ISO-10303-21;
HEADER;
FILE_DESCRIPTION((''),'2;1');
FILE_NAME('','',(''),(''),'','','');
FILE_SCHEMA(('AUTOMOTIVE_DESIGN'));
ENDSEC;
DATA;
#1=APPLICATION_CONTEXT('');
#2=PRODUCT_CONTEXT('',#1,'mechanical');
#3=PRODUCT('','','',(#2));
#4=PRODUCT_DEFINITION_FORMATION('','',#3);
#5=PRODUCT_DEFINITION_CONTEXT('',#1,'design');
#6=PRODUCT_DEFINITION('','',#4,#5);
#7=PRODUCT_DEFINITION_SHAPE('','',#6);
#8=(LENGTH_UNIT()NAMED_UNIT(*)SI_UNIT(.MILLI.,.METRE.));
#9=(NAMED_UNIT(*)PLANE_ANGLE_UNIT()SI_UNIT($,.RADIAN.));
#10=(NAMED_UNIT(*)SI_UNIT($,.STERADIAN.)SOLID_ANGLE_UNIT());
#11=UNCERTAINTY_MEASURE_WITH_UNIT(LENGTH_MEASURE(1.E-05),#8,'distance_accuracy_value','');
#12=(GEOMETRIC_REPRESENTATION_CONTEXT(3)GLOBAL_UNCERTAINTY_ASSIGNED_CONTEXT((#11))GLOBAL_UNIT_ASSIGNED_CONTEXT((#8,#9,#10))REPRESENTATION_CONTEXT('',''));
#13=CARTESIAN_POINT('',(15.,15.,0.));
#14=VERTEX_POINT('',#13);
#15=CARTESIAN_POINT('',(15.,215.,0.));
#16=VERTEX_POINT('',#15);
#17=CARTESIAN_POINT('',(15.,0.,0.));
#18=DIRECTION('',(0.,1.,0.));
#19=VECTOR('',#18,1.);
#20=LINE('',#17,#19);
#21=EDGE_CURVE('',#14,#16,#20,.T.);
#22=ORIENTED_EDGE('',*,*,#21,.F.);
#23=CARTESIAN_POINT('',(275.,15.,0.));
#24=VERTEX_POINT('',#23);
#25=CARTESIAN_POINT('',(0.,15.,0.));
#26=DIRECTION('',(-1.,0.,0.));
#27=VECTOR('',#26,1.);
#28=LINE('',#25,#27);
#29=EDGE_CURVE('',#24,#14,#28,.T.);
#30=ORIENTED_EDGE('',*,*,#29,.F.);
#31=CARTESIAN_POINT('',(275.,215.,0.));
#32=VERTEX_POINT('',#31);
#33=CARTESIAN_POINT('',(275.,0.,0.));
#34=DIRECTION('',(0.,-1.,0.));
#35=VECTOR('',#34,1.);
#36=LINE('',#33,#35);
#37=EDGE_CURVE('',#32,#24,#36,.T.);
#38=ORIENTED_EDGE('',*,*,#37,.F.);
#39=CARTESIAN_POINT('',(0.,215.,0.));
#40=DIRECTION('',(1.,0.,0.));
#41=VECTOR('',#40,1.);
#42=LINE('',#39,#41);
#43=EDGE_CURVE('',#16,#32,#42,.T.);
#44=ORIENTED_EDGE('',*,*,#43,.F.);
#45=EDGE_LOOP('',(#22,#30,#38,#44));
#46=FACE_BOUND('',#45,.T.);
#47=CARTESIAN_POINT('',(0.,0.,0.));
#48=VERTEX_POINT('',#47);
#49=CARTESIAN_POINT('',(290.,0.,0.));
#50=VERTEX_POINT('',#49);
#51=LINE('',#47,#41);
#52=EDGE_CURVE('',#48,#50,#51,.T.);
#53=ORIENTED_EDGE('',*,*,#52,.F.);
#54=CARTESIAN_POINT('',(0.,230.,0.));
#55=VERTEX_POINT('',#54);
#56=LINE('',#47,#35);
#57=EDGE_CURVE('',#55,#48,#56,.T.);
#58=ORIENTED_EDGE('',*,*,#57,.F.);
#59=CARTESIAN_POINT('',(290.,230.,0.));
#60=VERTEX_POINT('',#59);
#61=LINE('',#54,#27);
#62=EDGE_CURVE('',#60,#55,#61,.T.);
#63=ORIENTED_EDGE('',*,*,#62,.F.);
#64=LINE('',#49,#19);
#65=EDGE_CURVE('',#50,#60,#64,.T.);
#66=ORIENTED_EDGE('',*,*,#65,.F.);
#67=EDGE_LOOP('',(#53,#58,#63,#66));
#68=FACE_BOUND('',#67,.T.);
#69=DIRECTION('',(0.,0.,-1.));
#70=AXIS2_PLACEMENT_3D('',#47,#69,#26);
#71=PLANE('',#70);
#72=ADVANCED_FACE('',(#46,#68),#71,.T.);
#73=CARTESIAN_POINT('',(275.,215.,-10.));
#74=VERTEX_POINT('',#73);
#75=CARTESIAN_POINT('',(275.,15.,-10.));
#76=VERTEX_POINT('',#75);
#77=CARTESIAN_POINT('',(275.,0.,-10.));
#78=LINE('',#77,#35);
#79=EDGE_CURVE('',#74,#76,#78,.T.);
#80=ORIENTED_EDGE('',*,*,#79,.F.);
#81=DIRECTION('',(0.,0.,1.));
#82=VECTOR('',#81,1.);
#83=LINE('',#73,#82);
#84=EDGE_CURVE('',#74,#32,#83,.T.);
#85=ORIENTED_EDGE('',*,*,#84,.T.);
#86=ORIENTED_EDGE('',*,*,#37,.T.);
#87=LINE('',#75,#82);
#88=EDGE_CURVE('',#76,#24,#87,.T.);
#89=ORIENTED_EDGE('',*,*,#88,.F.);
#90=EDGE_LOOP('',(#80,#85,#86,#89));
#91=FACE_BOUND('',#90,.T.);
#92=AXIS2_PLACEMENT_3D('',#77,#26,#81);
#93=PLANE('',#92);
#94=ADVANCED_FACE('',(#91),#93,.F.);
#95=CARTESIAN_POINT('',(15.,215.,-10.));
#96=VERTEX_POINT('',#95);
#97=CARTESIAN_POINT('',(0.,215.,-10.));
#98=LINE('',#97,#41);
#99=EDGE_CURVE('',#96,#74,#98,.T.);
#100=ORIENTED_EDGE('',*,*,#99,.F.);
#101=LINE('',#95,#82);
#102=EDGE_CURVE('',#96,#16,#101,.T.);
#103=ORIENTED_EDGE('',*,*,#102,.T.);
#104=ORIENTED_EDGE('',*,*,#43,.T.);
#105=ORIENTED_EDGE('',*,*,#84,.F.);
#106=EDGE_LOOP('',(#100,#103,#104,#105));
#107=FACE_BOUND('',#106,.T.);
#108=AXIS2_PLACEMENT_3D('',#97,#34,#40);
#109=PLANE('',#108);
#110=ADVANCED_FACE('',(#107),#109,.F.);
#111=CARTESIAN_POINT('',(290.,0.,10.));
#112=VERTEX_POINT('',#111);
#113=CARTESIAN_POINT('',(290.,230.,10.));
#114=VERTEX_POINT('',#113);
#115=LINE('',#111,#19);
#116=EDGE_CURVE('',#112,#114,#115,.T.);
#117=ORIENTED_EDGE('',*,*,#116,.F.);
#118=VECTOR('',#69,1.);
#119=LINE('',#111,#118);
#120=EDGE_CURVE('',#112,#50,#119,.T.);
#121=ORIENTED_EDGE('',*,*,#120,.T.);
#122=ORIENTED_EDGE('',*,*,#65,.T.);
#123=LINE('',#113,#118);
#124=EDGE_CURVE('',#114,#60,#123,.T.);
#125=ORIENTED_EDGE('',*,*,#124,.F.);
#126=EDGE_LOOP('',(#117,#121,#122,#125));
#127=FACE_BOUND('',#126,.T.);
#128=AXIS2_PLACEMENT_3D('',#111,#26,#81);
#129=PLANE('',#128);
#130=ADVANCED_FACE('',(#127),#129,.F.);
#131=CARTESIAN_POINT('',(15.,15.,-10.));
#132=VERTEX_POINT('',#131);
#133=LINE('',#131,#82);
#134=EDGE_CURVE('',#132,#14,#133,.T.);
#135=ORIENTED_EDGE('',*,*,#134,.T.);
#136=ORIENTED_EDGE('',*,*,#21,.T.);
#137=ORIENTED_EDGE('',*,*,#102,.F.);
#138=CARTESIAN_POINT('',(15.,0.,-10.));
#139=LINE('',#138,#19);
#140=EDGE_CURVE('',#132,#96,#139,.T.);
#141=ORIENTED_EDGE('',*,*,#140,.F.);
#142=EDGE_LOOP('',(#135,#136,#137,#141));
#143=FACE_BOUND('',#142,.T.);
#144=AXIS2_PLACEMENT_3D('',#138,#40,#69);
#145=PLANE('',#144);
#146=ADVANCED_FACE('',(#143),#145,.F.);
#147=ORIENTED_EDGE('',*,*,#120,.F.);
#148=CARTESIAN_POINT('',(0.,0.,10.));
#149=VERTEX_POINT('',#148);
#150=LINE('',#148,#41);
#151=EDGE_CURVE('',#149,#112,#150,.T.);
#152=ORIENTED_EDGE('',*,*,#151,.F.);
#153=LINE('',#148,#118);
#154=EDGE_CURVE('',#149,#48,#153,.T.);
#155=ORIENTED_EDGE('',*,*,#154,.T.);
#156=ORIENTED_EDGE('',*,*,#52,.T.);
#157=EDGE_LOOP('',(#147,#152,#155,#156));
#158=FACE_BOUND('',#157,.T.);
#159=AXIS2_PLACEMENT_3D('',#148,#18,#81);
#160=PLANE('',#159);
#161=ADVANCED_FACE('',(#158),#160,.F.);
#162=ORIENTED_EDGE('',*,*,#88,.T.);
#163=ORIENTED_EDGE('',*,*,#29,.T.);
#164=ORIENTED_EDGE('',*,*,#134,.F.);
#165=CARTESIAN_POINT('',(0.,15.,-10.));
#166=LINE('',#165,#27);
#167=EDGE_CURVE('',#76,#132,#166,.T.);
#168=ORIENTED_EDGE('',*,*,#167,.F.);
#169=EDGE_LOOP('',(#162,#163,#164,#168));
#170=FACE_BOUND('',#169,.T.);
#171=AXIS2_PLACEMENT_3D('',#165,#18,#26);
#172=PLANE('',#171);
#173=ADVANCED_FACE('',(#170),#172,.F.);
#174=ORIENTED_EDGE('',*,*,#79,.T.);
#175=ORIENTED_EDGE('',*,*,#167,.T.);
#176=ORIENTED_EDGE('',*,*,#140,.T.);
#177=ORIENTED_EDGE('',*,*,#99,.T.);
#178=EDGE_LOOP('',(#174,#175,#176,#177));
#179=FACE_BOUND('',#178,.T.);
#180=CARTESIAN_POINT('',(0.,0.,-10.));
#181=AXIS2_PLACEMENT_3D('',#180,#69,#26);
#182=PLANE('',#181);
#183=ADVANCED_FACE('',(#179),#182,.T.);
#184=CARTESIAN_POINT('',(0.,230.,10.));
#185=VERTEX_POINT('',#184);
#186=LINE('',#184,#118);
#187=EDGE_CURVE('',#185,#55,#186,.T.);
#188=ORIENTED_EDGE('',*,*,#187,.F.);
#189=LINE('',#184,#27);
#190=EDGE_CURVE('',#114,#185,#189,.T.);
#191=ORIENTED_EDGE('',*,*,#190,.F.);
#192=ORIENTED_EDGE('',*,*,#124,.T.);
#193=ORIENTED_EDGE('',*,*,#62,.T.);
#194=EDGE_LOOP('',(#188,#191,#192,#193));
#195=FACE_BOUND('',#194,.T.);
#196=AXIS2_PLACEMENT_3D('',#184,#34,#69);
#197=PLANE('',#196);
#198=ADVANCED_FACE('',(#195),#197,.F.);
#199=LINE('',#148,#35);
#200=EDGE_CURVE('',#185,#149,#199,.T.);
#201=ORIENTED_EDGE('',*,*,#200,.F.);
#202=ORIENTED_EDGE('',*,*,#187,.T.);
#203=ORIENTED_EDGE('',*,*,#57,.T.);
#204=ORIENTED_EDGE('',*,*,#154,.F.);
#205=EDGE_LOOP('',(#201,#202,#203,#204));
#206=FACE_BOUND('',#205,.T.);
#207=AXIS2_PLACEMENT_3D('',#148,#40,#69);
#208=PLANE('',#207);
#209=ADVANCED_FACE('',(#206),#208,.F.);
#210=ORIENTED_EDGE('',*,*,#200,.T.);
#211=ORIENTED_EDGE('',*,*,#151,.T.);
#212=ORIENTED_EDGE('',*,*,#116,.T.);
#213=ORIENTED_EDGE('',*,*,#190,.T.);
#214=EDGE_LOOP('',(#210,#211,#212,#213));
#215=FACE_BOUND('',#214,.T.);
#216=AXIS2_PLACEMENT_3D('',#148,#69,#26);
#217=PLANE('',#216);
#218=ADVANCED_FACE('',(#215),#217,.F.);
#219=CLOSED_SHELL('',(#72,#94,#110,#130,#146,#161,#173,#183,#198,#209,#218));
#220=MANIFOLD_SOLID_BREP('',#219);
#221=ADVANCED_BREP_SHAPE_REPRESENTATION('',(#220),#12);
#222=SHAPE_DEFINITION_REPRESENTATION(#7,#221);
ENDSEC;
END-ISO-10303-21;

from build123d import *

# Parameters (mm, degrees)
SKETCH_1_W      = 290
SKETCH_1_H      = 230
EXTRUDE_1_DEPTH = 10
SKETCH_7_W      = 260
SKETCH_7_H      = 200
EXTRUDE_2_DEPTH = 10


with BuildPart() as part:
    # 草图1 → 凸台-拉伸1 (new body)
    with BuildSketch(Plane.XY):
        with Locations((145, 115)):
            Rectangle(SKETCH_1_W, SKETCH_1_H)
    extrude(amount=EXTRUDE_1_DEPTH)

    # 草图7 → 凸台-拉伸2 (add)
    with BuildSketch(Plane(origin=(0, 0, 0), x_dir=(-1, 0, 0), z_dir=(0, 0, -1))):
        with Locations((-145, 115)):
            Rectangle(SKETCH_7_W, SKETCH_7_H)
    extrude(amount=EXTRUDE_2_DEPTH)


solid = part.part
